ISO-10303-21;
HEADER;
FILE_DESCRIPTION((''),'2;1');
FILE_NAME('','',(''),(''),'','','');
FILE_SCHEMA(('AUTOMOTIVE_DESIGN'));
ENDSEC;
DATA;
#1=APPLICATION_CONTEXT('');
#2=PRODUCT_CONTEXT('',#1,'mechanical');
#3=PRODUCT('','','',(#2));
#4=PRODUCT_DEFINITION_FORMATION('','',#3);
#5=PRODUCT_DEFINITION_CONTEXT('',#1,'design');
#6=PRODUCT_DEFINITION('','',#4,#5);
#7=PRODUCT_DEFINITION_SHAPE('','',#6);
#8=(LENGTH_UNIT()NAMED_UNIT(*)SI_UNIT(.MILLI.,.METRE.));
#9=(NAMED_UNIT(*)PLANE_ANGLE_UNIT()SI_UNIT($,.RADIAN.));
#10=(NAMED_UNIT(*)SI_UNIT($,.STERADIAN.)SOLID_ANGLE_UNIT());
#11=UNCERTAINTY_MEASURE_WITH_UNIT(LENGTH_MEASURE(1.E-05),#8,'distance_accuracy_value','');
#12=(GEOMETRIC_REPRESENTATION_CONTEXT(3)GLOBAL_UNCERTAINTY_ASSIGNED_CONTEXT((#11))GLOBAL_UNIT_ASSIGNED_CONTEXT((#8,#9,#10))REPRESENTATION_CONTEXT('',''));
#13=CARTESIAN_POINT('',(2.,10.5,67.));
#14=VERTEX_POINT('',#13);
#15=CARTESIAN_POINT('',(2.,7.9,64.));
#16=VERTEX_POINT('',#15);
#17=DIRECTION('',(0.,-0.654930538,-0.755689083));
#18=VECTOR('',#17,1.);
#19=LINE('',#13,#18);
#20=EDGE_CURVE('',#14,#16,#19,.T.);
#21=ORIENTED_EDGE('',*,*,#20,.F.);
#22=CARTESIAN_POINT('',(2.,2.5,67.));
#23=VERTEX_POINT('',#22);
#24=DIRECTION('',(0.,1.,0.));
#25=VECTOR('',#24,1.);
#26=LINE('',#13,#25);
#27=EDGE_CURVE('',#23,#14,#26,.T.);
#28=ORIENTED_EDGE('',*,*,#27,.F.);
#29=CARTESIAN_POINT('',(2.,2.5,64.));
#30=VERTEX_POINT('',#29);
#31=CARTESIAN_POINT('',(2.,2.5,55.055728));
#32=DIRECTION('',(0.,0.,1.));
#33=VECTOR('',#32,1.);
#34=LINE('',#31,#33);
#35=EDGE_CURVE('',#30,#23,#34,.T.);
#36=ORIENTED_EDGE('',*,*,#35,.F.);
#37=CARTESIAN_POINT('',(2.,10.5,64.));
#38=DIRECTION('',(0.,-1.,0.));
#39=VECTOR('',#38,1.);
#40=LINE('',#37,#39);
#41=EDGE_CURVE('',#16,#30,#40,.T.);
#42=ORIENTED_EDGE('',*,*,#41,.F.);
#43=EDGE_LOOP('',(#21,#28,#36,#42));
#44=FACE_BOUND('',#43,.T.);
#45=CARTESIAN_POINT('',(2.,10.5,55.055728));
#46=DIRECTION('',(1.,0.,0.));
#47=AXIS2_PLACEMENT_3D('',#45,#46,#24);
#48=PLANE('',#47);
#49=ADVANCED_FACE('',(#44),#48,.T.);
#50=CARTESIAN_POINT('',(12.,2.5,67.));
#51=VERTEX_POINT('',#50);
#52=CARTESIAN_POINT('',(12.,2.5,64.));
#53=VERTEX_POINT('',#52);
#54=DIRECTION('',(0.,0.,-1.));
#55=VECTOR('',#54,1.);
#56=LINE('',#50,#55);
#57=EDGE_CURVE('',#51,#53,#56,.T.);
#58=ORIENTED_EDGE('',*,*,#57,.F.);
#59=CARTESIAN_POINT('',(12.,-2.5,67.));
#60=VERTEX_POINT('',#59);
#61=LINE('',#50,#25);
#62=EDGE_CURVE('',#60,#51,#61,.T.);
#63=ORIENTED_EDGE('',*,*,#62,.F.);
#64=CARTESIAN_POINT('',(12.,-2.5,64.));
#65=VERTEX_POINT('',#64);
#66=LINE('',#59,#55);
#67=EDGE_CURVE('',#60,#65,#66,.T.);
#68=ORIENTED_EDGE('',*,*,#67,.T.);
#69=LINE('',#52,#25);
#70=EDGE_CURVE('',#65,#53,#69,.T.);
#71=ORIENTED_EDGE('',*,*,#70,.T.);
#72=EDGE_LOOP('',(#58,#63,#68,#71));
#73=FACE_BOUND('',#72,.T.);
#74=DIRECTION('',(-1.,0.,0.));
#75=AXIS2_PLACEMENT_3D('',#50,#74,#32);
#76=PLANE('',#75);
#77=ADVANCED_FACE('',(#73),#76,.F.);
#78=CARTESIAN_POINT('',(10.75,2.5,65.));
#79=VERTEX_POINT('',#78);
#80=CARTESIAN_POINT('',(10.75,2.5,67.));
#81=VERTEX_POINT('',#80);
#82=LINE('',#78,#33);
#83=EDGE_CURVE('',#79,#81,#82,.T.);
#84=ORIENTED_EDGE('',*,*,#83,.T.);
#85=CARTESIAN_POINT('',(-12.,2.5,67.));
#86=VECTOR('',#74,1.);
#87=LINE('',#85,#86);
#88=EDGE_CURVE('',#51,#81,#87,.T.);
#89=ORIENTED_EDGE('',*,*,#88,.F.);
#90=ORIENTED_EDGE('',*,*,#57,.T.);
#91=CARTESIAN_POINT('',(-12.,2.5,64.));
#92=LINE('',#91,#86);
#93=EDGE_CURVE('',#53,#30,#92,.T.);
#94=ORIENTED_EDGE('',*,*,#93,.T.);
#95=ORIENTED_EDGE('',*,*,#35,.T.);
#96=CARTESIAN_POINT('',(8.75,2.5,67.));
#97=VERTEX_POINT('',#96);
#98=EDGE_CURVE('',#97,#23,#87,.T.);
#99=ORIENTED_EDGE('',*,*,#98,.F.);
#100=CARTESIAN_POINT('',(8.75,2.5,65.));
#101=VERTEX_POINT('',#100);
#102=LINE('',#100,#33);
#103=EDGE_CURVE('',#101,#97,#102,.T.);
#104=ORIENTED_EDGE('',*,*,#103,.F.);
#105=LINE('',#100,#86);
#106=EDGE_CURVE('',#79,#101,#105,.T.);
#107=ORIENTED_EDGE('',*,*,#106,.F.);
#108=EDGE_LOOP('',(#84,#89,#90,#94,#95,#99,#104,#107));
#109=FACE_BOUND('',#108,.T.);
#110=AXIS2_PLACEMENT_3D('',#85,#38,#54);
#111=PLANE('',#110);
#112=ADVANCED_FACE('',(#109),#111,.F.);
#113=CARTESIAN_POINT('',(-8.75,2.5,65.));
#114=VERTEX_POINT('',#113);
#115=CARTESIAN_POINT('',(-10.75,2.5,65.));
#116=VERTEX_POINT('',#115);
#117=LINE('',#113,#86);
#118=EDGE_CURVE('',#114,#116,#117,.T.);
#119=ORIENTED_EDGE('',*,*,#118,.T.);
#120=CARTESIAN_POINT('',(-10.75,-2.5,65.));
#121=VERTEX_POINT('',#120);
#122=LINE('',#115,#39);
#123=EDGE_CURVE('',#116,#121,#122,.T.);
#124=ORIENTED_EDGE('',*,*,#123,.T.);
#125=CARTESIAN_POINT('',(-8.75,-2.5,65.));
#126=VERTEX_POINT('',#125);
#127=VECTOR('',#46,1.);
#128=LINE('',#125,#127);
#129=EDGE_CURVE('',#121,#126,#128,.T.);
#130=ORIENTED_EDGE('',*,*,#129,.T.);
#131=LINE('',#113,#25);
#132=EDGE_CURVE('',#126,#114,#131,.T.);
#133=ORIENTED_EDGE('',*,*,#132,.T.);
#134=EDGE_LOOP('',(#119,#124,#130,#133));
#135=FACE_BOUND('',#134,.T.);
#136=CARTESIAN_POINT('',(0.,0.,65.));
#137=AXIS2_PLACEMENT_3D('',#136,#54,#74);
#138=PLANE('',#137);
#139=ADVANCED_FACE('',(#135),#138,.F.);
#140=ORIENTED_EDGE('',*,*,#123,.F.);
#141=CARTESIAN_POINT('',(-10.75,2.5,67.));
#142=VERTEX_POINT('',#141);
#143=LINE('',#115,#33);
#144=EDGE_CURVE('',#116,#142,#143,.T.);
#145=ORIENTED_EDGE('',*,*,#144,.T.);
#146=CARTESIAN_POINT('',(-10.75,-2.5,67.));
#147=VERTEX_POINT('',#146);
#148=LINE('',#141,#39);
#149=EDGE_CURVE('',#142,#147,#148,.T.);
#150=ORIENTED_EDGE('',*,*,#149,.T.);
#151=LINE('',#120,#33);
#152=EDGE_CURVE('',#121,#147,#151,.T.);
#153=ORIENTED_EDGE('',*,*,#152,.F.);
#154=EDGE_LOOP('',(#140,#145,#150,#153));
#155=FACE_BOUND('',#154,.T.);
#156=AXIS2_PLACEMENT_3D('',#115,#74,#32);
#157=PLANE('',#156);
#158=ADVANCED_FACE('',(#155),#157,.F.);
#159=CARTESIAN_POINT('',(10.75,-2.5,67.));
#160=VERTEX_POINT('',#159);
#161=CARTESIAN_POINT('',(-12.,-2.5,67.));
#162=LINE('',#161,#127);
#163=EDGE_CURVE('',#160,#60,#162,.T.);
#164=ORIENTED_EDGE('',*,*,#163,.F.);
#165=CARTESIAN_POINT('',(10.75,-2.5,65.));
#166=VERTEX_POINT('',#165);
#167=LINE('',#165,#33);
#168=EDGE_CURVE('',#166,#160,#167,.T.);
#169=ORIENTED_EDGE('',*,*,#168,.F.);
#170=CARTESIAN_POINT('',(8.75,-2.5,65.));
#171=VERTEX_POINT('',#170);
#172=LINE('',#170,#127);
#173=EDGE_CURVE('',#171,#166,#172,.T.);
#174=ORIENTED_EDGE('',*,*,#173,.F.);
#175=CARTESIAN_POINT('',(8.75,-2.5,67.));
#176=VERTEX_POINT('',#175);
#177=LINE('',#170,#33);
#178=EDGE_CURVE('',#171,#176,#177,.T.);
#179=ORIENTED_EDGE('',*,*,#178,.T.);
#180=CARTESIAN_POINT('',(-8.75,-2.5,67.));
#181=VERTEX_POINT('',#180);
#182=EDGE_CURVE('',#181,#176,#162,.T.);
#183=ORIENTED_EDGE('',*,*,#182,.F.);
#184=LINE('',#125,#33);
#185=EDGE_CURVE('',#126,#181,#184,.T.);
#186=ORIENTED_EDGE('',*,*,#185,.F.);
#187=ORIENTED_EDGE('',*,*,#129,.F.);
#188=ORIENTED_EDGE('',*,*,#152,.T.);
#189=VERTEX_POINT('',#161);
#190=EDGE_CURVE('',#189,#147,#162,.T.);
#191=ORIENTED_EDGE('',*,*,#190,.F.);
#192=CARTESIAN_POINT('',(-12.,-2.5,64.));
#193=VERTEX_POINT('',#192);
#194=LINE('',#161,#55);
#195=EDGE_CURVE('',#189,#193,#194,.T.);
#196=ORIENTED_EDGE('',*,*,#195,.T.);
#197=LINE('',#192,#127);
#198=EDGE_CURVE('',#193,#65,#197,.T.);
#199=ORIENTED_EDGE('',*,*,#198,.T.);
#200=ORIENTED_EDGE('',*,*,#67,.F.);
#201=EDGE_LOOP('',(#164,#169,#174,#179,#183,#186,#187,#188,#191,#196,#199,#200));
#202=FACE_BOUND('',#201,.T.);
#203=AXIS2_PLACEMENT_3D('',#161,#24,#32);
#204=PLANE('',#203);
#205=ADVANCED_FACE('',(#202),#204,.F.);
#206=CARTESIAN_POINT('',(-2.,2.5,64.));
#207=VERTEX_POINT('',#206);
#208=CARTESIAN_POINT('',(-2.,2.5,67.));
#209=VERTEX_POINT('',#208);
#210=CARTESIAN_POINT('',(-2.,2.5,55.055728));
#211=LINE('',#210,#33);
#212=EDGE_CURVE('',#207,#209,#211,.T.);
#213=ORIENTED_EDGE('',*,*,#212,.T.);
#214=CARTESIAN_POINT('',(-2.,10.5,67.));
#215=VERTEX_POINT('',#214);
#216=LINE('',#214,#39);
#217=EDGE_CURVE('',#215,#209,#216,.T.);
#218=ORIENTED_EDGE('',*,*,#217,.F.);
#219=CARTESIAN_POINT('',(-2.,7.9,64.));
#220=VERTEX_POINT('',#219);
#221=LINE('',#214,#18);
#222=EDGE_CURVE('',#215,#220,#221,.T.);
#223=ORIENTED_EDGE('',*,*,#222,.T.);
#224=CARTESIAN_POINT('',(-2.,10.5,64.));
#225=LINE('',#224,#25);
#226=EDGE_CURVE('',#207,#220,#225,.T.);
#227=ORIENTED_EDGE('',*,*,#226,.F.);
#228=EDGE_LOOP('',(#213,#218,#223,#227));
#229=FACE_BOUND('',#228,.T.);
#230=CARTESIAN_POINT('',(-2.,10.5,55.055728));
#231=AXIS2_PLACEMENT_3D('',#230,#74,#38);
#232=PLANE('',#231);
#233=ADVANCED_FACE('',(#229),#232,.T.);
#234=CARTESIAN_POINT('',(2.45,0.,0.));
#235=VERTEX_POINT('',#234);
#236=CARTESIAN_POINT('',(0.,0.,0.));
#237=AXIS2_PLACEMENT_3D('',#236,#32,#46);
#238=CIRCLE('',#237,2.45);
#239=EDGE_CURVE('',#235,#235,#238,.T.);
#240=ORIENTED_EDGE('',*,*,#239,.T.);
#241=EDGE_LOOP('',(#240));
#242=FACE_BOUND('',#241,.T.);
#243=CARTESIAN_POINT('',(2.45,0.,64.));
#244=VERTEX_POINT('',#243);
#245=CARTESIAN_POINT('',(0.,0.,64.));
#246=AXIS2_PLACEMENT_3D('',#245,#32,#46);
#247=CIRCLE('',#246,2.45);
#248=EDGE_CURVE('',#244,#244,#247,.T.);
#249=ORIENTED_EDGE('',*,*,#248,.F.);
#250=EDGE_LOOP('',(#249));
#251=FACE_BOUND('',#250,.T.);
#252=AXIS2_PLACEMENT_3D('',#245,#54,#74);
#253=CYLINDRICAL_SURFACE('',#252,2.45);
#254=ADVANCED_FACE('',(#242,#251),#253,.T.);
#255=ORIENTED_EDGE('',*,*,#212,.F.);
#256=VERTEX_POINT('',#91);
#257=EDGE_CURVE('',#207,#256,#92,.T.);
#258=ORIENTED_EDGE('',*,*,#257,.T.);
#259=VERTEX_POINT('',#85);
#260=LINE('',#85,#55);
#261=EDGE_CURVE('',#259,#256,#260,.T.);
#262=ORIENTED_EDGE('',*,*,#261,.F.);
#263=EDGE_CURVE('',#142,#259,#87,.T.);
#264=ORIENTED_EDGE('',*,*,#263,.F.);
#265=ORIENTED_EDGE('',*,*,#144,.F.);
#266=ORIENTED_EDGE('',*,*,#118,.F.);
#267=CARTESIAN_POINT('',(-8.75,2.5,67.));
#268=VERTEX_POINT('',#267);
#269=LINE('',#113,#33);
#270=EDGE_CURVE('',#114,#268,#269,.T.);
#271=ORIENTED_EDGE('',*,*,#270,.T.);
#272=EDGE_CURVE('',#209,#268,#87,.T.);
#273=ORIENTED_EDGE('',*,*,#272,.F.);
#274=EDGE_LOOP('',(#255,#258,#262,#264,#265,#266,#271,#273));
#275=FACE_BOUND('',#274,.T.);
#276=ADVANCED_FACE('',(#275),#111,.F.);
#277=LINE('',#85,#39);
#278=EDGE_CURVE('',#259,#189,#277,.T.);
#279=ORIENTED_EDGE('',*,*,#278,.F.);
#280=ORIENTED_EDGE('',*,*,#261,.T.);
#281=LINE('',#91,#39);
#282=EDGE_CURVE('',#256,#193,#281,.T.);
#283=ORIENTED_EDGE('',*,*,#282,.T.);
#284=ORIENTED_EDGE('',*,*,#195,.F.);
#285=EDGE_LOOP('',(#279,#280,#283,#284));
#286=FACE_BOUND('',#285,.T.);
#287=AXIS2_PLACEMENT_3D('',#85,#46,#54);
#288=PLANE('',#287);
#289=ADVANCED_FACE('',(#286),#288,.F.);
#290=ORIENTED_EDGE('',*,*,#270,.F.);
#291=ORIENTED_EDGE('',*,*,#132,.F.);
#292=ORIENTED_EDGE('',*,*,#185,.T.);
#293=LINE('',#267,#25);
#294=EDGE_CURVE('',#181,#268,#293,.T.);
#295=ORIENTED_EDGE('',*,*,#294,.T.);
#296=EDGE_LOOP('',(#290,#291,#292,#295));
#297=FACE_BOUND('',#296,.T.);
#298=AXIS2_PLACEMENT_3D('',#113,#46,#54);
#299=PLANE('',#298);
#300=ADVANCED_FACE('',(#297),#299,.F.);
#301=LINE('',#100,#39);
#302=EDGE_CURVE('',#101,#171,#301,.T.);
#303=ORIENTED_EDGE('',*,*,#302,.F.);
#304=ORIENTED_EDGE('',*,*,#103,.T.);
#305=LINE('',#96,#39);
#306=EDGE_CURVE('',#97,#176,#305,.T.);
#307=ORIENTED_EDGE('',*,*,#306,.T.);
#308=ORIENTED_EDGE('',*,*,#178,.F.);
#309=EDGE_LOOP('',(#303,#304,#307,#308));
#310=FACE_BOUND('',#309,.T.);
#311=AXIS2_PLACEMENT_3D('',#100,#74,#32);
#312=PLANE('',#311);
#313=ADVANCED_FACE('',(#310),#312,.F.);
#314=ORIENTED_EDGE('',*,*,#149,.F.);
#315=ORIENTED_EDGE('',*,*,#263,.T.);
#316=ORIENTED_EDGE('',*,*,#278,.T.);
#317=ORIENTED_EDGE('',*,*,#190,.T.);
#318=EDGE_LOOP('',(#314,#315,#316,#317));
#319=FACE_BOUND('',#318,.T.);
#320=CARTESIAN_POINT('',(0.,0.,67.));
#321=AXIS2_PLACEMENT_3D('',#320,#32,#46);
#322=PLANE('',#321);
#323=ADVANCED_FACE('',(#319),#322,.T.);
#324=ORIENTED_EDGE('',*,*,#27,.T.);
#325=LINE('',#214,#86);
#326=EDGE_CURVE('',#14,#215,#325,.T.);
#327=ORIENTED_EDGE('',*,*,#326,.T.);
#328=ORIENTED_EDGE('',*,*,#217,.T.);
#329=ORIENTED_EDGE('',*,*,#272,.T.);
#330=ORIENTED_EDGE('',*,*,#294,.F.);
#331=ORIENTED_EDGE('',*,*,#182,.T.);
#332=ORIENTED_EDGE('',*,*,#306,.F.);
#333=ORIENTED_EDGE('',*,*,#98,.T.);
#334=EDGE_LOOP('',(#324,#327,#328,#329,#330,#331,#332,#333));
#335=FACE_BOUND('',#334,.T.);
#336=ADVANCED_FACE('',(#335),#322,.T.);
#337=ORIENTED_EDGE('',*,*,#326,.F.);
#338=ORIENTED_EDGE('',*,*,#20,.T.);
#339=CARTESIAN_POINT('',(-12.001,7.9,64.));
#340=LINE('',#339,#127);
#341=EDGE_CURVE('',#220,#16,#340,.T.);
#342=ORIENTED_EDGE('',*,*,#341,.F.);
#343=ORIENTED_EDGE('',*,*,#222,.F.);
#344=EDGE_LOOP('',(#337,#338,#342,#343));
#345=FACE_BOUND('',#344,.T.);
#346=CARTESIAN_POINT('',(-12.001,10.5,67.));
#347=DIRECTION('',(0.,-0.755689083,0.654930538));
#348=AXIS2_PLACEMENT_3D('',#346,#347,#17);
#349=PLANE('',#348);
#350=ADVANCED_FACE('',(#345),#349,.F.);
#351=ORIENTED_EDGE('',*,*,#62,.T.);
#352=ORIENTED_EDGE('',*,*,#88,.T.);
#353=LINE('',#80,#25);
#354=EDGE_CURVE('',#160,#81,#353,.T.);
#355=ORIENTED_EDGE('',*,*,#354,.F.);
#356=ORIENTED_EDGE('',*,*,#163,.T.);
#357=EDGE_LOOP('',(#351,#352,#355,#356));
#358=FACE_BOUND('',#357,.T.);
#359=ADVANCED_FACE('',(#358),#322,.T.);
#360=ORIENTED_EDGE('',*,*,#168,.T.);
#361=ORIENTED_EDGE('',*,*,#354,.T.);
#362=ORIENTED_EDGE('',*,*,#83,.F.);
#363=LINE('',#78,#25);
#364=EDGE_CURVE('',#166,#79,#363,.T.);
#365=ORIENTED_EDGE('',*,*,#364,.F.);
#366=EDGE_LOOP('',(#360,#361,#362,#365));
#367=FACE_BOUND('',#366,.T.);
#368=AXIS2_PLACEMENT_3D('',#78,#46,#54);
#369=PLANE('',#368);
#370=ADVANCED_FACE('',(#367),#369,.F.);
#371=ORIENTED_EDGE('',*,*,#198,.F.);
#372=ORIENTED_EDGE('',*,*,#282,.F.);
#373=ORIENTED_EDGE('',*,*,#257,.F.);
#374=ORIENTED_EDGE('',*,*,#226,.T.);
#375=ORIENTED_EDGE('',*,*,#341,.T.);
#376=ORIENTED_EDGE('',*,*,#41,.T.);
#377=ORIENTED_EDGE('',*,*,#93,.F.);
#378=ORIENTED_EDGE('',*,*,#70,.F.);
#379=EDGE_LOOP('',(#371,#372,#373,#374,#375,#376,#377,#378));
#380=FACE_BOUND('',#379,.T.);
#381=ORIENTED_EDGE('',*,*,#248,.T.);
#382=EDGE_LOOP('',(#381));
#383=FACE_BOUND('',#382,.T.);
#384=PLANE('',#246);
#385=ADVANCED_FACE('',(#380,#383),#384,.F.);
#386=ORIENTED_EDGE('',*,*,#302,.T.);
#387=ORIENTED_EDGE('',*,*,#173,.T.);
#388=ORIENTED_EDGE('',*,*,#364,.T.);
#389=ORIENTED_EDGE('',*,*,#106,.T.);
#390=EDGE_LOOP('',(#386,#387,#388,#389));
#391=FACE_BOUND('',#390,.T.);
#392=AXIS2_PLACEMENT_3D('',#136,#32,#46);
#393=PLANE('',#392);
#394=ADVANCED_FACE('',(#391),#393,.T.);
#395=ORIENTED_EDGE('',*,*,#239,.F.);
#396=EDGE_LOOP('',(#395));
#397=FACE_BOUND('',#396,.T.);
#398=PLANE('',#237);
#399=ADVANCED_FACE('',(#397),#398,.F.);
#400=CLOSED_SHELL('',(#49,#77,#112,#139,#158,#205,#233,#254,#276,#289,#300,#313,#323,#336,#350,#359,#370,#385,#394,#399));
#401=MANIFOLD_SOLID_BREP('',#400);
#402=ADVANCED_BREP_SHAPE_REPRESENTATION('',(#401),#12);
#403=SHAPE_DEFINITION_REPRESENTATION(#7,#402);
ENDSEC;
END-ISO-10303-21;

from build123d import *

# Parameters (mm, degrees)
SKETCH1_R           = 2.45
BOSS_EXTRUDE1_DEPTH = 64
SKETCH2_W           = 24
SKETCH2_H           = 5
BOSS_EXTRUDE2_DEPTH = 3
SKETCH3_W           = 2
SKETCH3_H           = 5
CUT_EXTRUDE2_DEPTH  = 2
SKETCH4_W           = 4
SKETCH4_H           = 8
BOSS_EXTRUDE3_DEPTH = 3
CUT_EXTRUDE3_REACH  = 71.248


with BuildPart() as part:
    # Sketch1 → Boss-Extrude1 (new body)
    with BuildSketch(Plane.XY):
        Circle(SKETCH1_R)
    extrude(amount=BOSS_EXTRUDE1_DEPTH)

    # Sketch2 → Boss-Extrude2 (add)
    with BuildSketch(Plane.XY.offset(64)):
        Rectangle(SKETCH2_W, SKETCH2_H)
    extrude(amount=BOSS_EXTRUDE2_DEPTH)

    # Sketch3 → Cut-Extrude2 (cut)
    with BuildSketch(Plane.XY.offset(67)):
        with Locations((9.75, 0)):
            Rectangle(SKETCH3_W, SKETCH3_H)
        with Locations((-9.75, 0)):
            Rectangle(SKETCH3_W, SKETCH3_H)
    extrude(amount=-CUT_EXTRUDE2_DEPTH, mode=Mode.SUBTRACT)

    # Sketch4 → Boss-Extrude3 (add)
    with BuildSketch(Plane.XY.offset(67)):
        with Locations((0, 6.5)):
            Rectangle(SKETCH4_W, SKETCH4_H)
    extrude(amount=-BOSS_EXTRUDE3_DEPTH)

    # Sketch5 → Cut-Extrude3 (cut, up to next)
    with BuildSketch(Plane(origin=(2, 0, 0), x_dir=(0, 0, -1), z_dir=(1, 0, 0)), mode=Mode.PRIVATE) as cut_extrude3_sk1:
        Polygon((-67, 10.5), (-64, 7.9), (-64, 10.5), align=None)
    cut_extrude3_tool1 = extrude(cut_extrude3_sk1.sketch, amount=-CUT_EXTRUDE3_REACH, mode=Mode.PRIVATE) & part.part
    add(cut_extrude3_tool1.solids().sort_by_distance((2, 9.633333, 65))[0], mode=Mode.SUBTRACT)


solid = part.part
